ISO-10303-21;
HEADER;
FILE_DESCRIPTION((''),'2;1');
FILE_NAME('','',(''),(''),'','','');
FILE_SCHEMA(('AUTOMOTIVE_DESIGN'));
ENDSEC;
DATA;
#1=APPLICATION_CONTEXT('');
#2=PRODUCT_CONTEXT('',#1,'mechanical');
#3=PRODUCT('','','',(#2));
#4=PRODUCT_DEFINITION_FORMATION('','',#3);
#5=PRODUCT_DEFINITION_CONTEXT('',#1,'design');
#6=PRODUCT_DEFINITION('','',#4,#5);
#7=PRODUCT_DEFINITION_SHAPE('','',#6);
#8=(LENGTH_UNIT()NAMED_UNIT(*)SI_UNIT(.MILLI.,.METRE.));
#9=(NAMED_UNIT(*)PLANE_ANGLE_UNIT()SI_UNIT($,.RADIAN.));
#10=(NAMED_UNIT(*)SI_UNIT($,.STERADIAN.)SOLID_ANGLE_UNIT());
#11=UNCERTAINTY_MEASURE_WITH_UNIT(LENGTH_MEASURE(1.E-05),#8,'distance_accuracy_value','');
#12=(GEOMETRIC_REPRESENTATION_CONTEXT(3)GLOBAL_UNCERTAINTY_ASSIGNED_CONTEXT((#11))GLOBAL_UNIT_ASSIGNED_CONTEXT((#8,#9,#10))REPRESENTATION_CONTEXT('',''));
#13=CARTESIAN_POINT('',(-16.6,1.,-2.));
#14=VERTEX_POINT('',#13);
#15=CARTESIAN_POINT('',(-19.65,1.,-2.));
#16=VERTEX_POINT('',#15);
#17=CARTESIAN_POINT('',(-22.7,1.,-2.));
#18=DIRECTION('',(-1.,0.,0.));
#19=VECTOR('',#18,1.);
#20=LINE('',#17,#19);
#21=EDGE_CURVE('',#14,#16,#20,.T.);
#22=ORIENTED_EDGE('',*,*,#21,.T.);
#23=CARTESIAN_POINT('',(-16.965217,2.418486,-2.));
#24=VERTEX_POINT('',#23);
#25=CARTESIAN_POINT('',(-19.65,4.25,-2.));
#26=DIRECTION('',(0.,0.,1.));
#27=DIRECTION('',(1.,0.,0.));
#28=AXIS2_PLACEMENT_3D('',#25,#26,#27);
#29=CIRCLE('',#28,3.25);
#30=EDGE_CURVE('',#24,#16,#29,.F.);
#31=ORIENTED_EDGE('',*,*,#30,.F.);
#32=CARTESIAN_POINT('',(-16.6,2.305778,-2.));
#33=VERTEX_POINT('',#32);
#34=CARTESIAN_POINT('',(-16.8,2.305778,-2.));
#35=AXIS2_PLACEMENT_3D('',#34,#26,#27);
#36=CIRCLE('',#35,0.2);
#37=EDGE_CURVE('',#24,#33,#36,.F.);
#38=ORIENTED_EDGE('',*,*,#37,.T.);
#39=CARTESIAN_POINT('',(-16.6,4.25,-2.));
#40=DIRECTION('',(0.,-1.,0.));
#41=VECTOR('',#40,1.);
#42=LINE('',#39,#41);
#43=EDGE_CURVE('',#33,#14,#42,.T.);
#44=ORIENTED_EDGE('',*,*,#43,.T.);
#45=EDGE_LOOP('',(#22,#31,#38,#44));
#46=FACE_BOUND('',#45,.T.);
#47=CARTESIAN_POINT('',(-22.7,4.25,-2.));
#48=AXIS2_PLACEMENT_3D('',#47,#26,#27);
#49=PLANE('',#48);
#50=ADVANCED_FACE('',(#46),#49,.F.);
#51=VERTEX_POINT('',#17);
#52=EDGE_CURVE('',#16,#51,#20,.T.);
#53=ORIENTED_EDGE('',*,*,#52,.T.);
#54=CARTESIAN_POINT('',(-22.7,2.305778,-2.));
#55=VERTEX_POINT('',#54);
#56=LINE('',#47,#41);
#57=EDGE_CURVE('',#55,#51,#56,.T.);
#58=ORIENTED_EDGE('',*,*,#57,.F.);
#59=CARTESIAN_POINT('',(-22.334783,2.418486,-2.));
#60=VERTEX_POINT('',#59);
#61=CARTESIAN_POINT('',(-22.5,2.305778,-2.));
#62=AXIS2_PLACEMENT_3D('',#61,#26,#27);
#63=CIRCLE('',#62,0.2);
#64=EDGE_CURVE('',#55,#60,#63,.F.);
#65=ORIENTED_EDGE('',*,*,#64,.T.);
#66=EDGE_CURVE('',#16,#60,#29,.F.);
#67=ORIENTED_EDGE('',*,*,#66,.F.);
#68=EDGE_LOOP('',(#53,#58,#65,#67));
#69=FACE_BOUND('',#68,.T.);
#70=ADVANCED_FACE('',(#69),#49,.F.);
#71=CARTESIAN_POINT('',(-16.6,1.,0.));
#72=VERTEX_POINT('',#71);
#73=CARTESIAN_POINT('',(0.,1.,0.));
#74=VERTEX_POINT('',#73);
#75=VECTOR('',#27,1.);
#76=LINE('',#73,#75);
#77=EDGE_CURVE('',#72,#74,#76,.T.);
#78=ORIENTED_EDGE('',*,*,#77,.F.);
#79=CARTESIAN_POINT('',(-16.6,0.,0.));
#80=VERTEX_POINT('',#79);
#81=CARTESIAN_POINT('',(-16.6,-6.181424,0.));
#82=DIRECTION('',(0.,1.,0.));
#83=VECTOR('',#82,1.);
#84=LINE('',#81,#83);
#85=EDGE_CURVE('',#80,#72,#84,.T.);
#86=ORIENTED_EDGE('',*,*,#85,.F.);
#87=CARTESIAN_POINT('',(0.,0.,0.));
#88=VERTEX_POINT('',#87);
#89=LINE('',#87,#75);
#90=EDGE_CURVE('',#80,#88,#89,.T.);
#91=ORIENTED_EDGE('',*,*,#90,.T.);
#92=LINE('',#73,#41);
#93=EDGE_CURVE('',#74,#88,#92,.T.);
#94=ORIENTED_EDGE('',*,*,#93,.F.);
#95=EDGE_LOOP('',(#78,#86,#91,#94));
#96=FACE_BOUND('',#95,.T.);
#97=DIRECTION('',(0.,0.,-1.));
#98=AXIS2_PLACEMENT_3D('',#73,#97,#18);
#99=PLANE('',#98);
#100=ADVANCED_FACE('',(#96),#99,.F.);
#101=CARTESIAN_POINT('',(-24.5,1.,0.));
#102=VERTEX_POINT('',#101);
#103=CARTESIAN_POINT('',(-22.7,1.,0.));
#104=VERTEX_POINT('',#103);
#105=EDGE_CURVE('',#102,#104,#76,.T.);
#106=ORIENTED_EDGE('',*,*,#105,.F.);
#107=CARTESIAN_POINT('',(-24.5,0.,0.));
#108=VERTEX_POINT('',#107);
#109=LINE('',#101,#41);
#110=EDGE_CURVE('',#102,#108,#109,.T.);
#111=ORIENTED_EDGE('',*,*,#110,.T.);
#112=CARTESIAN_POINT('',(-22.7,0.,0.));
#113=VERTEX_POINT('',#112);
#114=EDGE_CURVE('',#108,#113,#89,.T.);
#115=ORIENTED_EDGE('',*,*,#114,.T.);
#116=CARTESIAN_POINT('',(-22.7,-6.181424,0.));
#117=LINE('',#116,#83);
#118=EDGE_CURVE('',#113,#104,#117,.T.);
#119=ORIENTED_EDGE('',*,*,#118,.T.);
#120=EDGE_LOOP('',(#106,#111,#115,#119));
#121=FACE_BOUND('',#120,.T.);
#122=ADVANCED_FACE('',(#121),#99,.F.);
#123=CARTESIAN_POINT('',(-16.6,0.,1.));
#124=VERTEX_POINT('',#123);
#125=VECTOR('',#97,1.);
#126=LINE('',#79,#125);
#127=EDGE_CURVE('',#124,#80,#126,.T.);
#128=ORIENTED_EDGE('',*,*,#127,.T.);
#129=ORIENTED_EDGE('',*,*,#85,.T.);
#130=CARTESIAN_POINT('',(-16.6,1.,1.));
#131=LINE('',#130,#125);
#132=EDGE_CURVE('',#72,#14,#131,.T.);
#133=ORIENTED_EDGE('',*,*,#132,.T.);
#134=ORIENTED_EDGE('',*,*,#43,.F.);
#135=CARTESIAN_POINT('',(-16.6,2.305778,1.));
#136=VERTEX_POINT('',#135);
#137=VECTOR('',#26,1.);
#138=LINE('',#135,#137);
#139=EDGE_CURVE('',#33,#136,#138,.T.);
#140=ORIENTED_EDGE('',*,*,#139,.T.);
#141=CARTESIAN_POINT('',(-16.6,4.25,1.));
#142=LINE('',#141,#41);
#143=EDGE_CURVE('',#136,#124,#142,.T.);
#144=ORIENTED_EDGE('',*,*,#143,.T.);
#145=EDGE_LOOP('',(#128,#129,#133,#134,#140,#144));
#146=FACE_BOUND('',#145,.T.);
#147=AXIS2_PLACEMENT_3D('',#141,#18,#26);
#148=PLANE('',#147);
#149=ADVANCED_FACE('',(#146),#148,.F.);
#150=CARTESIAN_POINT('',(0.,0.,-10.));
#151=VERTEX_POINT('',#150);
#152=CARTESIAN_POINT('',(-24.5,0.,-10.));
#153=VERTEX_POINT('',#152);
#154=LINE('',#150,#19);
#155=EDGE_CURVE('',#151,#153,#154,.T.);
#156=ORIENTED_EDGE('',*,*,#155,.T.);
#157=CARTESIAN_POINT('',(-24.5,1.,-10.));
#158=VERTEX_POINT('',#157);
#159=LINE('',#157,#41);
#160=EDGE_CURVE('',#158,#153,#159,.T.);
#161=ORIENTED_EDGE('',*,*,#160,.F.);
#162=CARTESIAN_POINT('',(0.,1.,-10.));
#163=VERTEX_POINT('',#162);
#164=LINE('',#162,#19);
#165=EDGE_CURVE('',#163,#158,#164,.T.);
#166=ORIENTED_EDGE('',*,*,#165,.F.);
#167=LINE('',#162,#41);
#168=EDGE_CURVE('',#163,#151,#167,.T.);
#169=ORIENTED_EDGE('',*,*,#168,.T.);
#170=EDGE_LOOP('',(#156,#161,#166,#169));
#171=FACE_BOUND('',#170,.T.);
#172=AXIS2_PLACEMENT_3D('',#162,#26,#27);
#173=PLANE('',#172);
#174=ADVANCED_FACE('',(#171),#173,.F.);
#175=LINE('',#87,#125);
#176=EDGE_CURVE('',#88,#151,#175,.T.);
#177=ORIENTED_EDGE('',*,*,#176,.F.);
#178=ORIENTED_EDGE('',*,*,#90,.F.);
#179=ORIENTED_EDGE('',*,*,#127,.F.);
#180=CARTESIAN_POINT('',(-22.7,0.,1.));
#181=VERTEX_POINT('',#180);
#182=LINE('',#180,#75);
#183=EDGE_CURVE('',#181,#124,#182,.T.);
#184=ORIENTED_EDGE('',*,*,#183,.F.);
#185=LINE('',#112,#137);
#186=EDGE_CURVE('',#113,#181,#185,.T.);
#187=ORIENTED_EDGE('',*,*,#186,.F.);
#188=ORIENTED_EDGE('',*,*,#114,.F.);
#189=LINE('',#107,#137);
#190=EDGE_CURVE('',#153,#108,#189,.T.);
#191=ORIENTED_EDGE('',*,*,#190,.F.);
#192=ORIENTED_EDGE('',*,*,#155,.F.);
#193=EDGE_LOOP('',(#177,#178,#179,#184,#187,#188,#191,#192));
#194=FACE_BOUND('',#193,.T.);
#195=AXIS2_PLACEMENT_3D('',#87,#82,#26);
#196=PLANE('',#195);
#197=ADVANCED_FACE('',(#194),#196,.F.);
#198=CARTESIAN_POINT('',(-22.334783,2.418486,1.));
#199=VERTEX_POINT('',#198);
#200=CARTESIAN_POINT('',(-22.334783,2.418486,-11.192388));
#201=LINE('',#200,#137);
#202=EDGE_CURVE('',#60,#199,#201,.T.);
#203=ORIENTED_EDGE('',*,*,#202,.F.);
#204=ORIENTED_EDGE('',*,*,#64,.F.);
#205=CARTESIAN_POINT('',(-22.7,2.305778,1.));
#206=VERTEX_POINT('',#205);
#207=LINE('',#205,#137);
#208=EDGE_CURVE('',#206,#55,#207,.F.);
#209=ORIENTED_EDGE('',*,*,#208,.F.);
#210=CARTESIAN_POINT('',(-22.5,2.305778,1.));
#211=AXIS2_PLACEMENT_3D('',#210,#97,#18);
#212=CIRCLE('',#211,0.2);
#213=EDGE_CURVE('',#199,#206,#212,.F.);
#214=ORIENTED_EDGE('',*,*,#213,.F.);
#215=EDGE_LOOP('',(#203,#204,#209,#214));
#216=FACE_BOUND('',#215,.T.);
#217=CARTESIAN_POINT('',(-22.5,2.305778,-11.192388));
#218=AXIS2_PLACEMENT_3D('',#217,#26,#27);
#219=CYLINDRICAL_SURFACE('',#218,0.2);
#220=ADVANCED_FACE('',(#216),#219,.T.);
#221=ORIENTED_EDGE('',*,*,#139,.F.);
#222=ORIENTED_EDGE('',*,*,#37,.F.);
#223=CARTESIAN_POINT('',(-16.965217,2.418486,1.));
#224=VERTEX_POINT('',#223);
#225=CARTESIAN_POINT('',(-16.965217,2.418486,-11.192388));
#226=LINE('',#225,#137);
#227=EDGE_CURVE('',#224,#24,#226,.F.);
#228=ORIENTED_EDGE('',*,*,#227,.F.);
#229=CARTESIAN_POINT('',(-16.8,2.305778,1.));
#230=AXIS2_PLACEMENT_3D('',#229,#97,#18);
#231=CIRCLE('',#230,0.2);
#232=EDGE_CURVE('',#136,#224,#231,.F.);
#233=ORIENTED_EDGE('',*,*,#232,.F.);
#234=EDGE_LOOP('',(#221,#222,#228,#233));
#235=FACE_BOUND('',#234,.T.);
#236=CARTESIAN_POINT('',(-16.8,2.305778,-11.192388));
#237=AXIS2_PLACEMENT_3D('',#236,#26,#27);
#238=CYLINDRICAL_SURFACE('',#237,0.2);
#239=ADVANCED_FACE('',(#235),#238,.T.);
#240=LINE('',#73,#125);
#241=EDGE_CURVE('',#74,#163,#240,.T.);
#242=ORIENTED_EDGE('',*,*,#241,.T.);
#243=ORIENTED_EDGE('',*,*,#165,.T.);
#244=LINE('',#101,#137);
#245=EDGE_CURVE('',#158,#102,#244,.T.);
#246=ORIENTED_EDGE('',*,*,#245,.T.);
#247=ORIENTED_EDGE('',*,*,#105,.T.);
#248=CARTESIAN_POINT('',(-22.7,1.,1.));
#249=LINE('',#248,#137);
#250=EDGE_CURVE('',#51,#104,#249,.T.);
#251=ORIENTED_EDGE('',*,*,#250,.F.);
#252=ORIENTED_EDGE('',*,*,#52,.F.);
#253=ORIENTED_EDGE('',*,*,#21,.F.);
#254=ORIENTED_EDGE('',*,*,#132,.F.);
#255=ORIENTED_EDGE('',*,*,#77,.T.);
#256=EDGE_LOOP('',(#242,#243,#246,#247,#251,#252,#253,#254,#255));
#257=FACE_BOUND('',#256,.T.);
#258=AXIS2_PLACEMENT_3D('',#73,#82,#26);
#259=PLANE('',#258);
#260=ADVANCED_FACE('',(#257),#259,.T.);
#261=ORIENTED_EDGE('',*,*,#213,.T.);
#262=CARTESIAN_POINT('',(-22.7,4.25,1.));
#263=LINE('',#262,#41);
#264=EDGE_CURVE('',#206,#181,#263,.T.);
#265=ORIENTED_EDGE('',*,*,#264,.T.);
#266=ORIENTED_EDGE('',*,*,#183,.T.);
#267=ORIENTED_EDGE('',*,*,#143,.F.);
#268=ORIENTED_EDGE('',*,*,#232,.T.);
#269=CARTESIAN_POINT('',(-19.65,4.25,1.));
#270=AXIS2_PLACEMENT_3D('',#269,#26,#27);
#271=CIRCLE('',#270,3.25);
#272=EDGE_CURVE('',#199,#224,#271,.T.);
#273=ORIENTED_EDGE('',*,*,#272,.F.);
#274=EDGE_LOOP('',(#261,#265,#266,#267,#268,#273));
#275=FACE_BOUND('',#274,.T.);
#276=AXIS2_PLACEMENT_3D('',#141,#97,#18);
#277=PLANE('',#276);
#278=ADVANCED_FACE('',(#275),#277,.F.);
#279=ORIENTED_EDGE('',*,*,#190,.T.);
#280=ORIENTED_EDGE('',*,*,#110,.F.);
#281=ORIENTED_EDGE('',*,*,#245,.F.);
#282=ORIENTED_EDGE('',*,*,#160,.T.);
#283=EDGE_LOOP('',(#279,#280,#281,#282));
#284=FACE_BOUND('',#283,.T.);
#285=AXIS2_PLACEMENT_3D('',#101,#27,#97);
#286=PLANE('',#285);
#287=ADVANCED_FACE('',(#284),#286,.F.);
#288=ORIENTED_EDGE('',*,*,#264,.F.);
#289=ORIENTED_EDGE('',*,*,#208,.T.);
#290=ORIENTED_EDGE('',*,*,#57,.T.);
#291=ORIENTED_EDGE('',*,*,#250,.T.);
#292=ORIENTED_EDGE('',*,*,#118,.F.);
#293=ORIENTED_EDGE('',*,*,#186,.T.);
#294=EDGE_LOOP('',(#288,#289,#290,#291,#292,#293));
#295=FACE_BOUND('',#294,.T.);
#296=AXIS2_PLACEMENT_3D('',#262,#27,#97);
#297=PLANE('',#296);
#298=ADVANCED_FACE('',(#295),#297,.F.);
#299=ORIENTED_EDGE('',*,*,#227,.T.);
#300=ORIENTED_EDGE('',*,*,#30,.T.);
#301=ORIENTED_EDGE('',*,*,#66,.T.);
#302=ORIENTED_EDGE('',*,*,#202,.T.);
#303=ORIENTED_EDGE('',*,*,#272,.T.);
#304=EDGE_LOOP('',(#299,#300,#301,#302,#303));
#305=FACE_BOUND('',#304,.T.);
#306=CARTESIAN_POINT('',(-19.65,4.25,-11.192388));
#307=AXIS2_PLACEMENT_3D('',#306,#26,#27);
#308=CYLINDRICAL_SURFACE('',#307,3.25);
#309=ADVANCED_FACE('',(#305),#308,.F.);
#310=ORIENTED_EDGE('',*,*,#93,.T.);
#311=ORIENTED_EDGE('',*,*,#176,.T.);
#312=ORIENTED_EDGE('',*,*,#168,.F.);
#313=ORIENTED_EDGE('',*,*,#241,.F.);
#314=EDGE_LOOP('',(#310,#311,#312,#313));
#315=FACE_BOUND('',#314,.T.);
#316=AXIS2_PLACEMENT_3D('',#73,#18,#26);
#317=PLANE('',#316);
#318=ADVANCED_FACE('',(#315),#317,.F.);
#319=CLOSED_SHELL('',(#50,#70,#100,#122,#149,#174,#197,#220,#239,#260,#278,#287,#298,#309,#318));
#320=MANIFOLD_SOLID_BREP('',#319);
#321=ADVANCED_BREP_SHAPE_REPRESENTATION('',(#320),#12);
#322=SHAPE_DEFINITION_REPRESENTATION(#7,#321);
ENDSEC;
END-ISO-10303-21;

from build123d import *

# Parameters (mm, degrees)
SKETCH1_W           = 24.5
SKETCH1_H           = 10
BOSS_EXTRUDE1_DEPTH = 1
SKETCH2_W           = 6.1
SKETCH2_H           = 3
BOSS_EXTRUDE2_DEPTH = 3.25
SKETCH4_W           = 6.1
SKETCH4_H           = 1
BOSS_EXTRUDE3_DEPTH = 1
SKETCH3_R           = 3.25
CUT_EXTRUDE1_DEPTH  = 3
FILLET1_R           = 0.2


with BuildPart() as part:
    # Sketch1 → Boss-Extrude1 (new body)
    with BuildSketch(Plane(origin=(0, 0, 0), x_dir=(1, 0, 0), z_dir=(0, 1, 0))):
        with Locations((-12.25, 5)):
            Rectangle(SKETCH1_W, SKETCH1_H)
    extrude(amount=BOSS_EXTRUDE1_DEPTH)

    # Sketch2 → Boss-Extrude2 (add)
    with BuildSketch(Plane(origin=(0, 1, 0), x_dir=(1, 0, 0), z_dir=(0, 1, 0))):
        with Locations((-19.65, 0.5)):
            Rectangle(SKETCH2_W, SKETCH2_H)
    extrude(amount=BOSS_EXTRUDE2_DEPTH)

    # Sketch4 → Boss-Extrude3 (add)
    with BuildSketch(Plane(origin=(0, 1, 0), x_dir=(-1, 0, 0), z_dir=(0, -1, 0))):
        with Locations((19.65, -0.5)):
            Rectangle(SKETCH4_W, SKETCH4_H)
    extrude(amount=BOSS_EXTRUDE3_DEPTH)

    # Sketch3 → Cut-Extrude1 (cut)
    with BuildSketch(Plane.XY.offset(1)):
        with Locations((-19.65, 4.25)):
            Circle(SKETCH3_R)
    extrude(amount=-CUT_EXTRUDE1_DEPTH, mode=Mode.SUBTRACT)

    # Fillet1
    fillet1_edges = [part.edges().sort_by_distance(p)[0] for p in [
        (-16.6, 3.127502784, -0.5),
        (-22.7, 3.127502784, -0.5),
    ]]
    fillet(fillet1_edges, radius=FILLET1_R)


solid = part.part
